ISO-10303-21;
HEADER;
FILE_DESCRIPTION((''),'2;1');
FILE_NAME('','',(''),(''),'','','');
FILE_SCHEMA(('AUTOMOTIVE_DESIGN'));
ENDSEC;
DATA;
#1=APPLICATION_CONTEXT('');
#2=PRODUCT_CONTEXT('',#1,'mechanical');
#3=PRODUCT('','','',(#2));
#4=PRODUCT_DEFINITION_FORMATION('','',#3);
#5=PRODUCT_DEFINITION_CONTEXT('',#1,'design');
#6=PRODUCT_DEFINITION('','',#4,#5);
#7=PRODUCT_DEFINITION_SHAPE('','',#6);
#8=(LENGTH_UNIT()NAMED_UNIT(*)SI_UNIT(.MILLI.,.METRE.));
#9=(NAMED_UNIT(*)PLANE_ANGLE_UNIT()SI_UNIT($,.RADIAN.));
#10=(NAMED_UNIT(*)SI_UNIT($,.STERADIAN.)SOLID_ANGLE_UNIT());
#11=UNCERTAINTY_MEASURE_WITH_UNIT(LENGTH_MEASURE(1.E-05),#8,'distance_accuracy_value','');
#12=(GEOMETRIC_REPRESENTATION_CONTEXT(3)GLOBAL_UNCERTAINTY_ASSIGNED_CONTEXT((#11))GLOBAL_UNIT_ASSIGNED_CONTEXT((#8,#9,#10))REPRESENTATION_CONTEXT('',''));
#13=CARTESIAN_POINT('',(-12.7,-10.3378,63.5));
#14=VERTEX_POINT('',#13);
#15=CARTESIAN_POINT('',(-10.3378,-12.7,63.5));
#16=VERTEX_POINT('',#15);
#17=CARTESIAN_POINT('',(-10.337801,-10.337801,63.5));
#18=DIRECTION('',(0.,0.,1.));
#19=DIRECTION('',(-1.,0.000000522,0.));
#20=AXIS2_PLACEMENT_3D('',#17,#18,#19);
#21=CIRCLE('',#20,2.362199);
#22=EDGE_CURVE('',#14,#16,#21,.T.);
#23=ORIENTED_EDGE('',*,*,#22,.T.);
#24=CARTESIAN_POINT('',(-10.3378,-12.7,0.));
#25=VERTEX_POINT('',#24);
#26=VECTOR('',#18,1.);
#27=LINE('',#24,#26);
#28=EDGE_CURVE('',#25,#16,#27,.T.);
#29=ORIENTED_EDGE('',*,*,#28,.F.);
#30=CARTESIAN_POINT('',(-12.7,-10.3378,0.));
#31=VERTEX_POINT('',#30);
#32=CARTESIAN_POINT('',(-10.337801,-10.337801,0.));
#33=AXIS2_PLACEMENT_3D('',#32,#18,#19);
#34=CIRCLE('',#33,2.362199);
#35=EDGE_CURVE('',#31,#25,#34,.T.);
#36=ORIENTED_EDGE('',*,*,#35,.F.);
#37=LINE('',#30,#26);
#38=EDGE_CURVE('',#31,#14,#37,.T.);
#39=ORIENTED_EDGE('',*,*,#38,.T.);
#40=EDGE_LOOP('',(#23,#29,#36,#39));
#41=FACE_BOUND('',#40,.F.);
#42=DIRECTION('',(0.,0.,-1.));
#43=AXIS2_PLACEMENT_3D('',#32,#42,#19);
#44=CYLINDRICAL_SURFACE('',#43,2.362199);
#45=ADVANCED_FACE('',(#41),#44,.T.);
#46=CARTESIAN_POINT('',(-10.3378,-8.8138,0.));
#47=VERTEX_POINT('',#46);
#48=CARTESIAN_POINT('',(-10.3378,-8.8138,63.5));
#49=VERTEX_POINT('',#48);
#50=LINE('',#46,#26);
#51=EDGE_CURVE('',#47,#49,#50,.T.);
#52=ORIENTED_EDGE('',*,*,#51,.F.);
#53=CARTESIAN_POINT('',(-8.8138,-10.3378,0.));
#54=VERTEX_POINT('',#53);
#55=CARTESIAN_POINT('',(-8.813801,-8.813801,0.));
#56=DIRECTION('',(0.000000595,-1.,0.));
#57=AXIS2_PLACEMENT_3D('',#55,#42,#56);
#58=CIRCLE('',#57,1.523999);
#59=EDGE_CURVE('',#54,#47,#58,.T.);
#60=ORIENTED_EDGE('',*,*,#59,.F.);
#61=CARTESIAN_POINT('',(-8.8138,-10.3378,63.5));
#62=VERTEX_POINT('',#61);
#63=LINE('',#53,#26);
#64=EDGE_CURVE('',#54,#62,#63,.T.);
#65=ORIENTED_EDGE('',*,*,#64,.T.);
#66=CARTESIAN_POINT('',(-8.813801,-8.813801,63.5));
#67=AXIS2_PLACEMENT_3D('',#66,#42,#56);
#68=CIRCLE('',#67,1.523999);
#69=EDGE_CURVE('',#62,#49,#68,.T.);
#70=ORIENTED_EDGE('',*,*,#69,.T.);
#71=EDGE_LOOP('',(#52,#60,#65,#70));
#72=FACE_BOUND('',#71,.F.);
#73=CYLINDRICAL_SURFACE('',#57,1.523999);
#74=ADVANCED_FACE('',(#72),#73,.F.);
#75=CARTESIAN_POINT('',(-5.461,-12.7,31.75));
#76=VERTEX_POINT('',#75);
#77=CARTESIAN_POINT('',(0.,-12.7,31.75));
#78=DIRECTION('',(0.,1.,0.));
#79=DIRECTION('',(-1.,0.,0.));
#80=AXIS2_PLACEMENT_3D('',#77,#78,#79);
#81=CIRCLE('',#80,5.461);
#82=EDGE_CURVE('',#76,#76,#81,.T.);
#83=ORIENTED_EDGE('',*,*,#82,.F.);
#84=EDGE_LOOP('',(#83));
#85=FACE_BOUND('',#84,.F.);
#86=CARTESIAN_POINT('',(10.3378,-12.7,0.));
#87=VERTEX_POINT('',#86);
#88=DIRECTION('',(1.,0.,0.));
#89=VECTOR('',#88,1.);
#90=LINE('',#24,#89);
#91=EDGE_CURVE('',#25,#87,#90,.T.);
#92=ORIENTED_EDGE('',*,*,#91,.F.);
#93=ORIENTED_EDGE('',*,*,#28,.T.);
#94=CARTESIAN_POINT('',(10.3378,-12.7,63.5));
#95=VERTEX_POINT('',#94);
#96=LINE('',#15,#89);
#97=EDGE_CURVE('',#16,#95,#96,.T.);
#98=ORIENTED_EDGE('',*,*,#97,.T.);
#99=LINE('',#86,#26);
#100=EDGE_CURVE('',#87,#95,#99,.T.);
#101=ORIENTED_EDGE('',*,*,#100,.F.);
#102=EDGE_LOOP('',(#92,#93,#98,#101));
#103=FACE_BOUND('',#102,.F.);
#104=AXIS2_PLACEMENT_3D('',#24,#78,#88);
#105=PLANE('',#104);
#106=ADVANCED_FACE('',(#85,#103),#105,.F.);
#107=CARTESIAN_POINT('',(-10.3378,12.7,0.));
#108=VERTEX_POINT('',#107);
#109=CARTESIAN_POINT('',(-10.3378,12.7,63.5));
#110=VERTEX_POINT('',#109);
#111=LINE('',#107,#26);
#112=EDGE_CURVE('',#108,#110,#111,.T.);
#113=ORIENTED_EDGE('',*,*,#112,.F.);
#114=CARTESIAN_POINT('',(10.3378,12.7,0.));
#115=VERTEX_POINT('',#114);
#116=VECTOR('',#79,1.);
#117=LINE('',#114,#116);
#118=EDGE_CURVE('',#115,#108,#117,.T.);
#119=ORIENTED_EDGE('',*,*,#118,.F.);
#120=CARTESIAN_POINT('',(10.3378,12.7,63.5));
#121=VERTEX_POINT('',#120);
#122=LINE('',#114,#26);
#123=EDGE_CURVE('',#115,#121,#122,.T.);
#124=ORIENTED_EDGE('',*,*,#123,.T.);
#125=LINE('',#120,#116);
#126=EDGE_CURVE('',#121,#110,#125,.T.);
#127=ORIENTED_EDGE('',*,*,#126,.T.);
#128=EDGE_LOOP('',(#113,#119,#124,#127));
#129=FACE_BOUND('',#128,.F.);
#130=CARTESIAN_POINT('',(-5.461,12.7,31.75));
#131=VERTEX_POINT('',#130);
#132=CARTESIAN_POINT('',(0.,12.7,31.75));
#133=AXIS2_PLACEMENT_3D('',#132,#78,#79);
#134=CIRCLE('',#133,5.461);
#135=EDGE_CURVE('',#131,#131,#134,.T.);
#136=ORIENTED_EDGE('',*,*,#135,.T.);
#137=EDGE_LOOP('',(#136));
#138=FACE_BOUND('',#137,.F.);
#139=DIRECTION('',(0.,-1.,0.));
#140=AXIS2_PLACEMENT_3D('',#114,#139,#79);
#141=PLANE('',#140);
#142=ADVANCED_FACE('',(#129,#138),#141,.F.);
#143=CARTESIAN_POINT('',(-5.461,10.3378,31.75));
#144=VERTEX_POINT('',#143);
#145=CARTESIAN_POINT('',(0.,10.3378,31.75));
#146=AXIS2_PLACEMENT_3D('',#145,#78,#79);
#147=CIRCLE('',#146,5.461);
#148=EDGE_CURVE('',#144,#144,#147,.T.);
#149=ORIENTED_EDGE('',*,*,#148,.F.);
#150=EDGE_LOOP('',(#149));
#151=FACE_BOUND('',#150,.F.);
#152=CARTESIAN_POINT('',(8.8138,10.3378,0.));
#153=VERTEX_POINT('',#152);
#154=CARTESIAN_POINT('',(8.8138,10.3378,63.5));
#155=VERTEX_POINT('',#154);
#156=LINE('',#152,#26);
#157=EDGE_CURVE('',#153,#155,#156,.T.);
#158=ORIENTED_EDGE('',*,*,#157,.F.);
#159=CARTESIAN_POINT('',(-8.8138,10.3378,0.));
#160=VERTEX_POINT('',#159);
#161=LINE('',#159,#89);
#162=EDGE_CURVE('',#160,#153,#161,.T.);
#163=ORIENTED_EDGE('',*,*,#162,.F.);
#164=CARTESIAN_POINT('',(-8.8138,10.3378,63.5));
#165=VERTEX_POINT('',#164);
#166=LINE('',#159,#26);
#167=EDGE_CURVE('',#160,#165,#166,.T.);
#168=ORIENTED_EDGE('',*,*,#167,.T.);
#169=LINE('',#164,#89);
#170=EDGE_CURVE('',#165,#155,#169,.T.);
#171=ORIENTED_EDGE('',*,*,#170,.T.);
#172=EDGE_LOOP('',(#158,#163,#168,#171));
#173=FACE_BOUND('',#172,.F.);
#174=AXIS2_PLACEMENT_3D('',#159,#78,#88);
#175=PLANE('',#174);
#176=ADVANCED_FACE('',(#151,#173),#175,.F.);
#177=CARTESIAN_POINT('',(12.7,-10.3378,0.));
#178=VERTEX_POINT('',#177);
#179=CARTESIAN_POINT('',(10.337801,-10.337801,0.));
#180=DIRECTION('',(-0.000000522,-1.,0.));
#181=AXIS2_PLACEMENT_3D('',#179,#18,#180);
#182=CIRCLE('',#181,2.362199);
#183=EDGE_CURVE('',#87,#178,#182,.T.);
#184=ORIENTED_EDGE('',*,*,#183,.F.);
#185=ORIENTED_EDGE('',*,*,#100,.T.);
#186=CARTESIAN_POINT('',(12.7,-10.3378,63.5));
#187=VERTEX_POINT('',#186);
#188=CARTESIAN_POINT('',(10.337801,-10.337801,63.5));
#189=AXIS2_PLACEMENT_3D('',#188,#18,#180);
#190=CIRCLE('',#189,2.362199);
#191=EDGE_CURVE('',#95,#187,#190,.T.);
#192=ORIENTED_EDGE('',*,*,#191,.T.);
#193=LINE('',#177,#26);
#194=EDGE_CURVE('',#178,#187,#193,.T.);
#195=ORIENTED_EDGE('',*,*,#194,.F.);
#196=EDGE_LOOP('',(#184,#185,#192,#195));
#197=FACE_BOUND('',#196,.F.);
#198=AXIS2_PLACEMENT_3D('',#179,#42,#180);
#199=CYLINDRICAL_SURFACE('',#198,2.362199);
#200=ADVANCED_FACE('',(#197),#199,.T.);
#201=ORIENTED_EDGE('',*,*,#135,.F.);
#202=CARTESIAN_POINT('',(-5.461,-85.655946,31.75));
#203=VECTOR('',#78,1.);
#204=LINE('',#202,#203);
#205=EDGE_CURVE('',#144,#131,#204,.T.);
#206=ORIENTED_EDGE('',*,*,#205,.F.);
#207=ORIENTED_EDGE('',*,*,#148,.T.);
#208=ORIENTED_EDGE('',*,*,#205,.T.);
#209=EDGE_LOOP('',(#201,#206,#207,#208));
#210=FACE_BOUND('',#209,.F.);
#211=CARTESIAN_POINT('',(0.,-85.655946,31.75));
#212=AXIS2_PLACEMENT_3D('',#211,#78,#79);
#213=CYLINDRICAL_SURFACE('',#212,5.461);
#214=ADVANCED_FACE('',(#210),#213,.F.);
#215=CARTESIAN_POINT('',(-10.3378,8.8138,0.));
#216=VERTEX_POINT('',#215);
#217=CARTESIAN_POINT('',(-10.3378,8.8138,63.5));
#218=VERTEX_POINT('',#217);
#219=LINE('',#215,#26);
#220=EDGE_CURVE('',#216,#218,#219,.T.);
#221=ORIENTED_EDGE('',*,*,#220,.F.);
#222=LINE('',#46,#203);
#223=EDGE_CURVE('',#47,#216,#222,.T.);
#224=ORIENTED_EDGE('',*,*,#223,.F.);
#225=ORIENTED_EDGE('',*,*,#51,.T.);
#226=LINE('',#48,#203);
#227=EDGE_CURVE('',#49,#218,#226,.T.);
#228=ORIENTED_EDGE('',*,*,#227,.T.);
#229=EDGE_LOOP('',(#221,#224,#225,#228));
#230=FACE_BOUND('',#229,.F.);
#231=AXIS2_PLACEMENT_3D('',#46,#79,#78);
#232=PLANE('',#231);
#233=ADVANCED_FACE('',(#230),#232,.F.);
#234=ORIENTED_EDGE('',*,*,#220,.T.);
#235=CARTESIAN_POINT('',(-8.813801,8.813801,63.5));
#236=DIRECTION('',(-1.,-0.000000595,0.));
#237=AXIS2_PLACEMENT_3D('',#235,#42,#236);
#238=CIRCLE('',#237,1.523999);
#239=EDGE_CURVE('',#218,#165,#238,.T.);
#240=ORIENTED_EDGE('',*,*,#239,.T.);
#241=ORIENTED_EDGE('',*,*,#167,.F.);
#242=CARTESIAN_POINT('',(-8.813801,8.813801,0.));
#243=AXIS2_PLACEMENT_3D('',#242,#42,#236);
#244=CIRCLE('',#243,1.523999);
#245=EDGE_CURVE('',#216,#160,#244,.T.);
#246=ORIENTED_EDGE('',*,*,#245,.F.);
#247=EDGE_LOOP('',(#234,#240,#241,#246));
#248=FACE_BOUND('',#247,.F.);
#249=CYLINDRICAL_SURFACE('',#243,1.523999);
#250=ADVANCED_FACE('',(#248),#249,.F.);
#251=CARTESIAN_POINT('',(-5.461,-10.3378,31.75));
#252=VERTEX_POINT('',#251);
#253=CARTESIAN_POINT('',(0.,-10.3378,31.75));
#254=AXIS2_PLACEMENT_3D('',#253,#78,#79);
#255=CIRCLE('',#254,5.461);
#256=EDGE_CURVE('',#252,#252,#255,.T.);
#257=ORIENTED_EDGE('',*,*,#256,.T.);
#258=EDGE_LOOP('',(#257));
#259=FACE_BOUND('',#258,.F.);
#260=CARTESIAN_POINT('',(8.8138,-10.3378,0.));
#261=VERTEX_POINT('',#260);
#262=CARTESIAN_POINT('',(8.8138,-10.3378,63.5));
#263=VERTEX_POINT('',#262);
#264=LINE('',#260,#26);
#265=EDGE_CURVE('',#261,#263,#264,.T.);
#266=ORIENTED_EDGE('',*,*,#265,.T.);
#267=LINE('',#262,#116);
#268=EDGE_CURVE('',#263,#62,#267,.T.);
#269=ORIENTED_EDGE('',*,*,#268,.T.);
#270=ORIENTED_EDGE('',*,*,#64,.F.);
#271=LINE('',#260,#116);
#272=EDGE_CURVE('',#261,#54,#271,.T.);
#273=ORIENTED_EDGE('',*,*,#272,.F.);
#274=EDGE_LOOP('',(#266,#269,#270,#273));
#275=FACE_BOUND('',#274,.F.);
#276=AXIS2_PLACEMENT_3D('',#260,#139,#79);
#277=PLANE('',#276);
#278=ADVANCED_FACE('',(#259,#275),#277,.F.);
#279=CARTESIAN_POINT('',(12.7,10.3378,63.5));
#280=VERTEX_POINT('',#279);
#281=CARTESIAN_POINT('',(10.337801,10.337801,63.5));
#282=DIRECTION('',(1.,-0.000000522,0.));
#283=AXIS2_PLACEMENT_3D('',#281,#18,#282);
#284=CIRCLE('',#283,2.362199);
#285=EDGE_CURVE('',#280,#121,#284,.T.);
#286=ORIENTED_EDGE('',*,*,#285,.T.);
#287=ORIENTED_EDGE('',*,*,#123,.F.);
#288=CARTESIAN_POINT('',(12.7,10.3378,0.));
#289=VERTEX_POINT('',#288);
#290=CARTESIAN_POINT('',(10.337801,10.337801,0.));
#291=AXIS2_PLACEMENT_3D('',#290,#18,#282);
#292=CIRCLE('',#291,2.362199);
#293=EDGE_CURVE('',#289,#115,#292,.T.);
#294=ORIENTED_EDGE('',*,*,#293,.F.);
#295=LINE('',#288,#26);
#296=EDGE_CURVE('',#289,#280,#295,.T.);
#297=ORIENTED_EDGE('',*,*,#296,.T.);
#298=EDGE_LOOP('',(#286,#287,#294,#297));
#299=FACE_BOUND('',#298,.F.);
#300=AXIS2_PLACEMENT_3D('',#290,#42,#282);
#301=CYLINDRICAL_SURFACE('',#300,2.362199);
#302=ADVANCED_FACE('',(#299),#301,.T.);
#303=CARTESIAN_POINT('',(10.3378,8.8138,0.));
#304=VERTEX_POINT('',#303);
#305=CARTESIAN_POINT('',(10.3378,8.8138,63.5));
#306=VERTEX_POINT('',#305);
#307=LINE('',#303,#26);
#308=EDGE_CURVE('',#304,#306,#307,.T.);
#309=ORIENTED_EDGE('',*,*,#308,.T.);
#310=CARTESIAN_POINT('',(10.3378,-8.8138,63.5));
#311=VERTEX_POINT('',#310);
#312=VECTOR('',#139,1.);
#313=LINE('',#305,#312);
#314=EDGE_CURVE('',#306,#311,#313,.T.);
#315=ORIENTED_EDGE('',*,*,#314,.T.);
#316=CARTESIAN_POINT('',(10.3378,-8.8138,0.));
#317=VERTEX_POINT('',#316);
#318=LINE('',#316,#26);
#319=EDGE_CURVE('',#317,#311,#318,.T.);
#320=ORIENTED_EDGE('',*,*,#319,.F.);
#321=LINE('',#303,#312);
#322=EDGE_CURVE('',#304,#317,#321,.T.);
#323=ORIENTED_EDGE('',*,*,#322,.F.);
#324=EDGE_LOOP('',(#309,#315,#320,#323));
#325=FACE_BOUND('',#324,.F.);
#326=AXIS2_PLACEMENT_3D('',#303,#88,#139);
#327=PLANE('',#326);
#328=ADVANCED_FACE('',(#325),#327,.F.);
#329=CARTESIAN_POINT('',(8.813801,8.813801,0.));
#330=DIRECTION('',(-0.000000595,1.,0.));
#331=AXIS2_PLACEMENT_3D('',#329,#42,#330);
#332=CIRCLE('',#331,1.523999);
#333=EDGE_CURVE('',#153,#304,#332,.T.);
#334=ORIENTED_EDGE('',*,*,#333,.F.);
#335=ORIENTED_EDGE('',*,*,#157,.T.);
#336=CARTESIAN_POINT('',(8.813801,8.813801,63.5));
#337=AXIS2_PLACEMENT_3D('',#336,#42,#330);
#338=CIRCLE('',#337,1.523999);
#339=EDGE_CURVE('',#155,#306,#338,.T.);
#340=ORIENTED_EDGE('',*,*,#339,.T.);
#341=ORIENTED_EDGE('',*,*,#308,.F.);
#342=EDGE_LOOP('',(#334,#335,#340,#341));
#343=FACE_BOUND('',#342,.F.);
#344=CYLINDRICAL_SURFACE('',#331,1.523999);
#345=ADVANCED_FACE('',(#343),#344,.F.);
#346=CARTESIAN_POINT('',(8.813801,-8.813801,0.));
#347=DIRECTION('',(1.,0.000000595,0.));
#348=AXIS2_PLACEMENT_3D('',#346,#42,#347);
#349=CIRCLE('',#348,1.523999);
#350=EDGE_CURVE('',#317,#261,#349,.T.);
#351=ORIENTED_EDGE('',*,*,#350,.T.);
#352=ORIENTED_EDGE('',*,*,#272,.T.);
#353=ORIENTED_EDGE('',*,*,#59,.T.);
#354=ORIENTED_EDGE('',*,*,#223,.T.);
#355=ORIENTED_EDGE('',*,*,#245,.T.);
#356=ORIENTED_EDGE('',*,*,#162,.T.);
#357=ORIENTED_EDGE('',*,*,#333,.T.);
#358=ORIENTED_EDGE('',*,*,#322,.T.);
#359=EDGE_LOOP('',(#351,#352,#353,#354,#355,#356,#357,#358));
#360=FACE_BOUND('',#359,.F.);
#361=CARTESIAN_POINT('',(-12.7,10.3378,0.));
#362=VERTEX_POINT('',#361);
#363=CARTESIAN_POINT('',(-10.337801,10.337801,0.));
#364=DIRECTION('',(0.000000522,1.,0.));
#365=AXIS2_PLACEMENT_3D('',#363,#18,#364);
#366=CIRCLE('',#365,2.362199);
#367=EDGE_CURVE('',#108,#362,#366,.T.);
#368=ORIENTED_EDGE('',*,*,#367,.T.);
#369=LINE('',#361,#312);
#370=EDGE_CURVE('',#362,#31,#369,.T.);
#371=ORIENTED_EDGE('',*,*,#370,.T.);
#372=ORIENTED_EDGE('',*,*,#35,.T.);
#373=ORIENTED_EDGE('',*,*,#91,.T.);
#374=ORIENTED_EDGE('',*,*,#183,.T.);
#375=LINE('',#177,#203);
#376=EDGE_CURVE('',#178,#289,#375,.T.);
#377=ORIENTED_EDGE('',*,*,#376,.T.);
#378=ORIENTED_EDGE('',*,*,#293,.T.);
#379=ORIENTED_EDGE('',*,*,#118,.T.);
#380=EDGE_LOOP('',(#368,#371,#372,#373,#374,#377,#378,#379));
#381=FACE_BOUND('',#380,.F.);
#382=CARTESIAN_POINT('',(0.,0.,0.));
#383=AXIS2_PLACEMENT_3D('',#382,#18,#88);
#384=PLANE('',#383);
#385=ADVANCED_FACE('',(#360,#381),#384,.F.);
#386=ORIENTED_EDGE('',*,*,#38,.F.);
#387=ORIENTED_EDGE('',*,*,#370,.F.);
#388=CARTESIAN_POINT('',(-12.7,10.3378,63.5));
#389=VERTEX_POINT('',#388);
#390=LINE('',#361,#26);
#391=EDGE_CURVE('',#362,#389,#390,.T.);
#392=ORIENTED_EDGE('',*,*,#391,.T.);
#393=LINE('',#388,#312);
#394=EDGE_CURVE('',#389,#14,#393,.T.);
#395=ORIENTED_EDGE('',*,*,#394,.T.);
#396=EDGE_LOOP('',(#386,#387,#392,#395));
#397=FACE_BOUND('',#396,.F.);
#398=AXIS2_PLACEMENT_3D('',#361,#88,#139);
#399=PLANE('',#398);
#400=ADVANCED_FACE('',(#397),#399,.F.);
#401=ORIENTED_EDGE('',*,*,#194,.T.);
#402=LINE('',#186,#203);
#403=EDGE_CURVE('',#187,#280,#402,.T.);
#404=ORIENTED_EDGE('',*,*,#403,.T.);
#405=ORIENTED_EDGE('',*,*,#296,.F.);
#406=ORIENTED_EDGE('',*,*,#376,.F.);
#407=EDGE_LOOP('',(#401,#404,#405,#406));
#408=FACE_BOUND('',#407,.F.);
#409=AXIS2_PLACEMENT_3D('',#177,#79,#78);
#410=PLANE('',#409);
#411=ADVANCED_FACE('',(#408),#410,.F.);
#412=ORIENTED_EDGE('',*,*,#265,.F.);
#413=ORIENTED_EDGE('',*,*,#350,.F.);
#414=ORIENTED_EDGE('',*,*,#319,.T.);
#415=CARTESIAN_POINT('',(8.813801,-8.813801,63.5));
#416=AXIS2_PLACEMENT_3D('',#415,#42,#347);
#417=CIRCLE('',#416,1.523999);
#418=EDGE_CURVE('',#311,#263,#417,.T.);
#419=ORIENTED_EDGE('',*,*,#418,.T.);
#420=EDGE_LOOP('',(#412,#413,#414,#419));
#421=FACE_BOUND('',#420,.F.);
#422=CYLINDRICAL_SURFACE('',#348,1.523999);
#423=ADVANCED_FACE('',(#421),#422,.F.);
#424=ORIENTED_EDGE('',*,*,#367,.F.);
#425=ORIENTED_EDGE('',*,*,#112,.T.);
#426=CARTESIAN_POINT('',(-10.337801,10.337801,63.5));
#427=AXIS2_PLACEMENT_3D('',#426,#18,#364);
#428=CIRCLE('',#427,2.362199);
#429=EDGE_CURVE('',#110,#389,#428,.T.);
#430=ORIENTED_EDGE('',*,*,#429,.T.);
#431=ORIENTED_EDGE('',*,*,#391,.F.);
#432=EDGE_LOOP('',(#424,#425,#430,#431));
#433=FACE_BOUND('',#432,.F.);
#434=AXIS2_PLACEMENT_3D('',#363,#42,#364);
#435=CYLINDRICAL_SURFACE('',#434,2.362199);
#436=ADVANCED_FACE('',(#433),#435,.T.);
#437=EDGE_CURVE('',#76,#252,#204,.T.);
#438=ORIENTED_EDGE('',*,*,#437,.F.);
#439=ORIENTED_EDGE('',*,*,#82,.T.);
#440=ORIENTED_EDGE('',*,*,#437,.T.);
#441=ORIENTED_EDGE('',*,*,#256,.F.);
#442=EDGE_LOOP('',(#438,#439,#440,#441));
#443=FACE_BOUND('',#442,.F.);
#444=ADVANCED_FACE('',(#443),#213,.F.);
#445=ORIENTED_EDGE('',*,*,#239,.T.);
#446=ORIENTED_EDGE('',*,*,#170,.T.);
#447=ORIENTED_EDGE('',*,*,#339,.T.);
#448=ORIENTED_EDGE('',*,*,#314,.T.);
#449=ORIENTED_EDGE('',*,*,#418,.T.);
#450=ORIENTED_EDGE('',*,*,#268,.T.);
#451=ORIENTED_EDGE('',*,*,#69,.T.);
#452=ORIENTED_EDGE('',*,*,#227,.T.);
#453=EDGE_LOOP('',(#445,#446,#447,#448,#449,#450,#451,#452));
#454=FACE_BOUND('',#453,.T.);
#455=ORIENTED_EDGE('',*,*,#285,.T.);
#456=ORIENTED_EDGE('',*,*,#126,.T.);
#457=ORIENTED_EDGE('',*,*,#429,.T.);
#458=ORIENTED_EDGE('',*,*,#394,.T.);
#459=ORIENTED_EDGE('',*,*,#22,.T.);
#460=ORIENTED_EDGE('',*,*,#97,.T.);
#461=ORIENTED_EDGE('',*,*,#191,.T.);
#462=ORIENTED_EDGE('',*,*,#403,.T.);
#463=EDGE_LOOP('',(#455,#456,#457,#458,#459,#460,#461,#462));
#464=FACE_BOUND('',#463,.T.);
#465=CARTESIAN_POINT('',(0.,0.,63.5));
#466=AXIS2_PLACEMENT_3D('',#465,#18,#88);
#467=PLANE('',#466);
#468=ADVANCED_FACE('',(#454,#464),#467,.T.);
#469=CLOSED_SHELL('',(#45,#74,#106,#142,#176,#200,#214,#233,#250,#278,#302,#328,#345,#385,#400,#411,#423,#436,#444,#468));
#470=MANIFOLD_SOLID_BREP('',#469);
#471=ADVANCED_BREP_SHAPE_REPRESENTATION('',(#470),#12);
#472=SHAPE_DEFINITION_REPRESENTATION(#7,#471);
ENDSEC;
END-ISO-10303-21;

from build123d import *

# Parameters (mm, degrees)
F1_DEPTH = 63.5
F3_D     = 10.922


with BuildPart() as f1:
    # F0 (on Top) → F1 (new body)
    with BuildSketch(Plane.XY):
        with BuildLine():
            ThreePointArc((-10.3378, 12.7), (-12.008128, 12.008128), (-12.7, 10.3378))
            Line((-12.7, 10.3378), (-12.7, -10.3378))
            ThreePointArc((-12.7, -10.3378), (-12.008128, -12.008128), (-10.3378, -12.7))
            Line((-10.3378, -12.7), (10.3378, -12.7))
            ThreePointArc((10.3378, -12.7), (12.008128, -12.008128), (12.7, -10.3378))
            Line((12.7, -10.3378), (12.7, 10.3378))
            ThreePointArc((12.7, 10.3378), (12.008128, 12.008128), (10.3378, 12.7))
            Line((10.3378, 12.7), (-10.3378, 12.7))
        make_face()
        with BuildLine():
            Line((-8.8138, 10.3378), (8.8138, 10.3378))
            ThreePointArc((8.8138, 10.3378), (9.891431, 9.891431), (10.3378, 8.8138))
            Line((10.3378, 8.8138), (10.3378, -8.8138))
            ThreePointArc((10.3378, -8.8138), (9.891431, -9.891431), (8.8138, -10.3378))
            Line((8.8138, -10.3378), (-8.8138, -10.3378))
            ThreePointArc((-8.8138, -10.3378), (-9.891431, -9.891431), (-10.3378, -8.8138))
            Line((-10.3378, -8.8138), (-10.3378, 8.8138))
            ThreePointArc((-10.3378, 8.8138), (-9.891431, 9.891431), (-8.8138, 10.3378))
        make_face(mode=Mode.SUBTRACT)
    extrude(amount=F1_DEPTH)

    # F3 (through all)
    with Locations(Plane.XZ.offset(12.7)):
        with Locations((0, 31.75)):
            Hole(F3_D / 2)


solid = f1.part
